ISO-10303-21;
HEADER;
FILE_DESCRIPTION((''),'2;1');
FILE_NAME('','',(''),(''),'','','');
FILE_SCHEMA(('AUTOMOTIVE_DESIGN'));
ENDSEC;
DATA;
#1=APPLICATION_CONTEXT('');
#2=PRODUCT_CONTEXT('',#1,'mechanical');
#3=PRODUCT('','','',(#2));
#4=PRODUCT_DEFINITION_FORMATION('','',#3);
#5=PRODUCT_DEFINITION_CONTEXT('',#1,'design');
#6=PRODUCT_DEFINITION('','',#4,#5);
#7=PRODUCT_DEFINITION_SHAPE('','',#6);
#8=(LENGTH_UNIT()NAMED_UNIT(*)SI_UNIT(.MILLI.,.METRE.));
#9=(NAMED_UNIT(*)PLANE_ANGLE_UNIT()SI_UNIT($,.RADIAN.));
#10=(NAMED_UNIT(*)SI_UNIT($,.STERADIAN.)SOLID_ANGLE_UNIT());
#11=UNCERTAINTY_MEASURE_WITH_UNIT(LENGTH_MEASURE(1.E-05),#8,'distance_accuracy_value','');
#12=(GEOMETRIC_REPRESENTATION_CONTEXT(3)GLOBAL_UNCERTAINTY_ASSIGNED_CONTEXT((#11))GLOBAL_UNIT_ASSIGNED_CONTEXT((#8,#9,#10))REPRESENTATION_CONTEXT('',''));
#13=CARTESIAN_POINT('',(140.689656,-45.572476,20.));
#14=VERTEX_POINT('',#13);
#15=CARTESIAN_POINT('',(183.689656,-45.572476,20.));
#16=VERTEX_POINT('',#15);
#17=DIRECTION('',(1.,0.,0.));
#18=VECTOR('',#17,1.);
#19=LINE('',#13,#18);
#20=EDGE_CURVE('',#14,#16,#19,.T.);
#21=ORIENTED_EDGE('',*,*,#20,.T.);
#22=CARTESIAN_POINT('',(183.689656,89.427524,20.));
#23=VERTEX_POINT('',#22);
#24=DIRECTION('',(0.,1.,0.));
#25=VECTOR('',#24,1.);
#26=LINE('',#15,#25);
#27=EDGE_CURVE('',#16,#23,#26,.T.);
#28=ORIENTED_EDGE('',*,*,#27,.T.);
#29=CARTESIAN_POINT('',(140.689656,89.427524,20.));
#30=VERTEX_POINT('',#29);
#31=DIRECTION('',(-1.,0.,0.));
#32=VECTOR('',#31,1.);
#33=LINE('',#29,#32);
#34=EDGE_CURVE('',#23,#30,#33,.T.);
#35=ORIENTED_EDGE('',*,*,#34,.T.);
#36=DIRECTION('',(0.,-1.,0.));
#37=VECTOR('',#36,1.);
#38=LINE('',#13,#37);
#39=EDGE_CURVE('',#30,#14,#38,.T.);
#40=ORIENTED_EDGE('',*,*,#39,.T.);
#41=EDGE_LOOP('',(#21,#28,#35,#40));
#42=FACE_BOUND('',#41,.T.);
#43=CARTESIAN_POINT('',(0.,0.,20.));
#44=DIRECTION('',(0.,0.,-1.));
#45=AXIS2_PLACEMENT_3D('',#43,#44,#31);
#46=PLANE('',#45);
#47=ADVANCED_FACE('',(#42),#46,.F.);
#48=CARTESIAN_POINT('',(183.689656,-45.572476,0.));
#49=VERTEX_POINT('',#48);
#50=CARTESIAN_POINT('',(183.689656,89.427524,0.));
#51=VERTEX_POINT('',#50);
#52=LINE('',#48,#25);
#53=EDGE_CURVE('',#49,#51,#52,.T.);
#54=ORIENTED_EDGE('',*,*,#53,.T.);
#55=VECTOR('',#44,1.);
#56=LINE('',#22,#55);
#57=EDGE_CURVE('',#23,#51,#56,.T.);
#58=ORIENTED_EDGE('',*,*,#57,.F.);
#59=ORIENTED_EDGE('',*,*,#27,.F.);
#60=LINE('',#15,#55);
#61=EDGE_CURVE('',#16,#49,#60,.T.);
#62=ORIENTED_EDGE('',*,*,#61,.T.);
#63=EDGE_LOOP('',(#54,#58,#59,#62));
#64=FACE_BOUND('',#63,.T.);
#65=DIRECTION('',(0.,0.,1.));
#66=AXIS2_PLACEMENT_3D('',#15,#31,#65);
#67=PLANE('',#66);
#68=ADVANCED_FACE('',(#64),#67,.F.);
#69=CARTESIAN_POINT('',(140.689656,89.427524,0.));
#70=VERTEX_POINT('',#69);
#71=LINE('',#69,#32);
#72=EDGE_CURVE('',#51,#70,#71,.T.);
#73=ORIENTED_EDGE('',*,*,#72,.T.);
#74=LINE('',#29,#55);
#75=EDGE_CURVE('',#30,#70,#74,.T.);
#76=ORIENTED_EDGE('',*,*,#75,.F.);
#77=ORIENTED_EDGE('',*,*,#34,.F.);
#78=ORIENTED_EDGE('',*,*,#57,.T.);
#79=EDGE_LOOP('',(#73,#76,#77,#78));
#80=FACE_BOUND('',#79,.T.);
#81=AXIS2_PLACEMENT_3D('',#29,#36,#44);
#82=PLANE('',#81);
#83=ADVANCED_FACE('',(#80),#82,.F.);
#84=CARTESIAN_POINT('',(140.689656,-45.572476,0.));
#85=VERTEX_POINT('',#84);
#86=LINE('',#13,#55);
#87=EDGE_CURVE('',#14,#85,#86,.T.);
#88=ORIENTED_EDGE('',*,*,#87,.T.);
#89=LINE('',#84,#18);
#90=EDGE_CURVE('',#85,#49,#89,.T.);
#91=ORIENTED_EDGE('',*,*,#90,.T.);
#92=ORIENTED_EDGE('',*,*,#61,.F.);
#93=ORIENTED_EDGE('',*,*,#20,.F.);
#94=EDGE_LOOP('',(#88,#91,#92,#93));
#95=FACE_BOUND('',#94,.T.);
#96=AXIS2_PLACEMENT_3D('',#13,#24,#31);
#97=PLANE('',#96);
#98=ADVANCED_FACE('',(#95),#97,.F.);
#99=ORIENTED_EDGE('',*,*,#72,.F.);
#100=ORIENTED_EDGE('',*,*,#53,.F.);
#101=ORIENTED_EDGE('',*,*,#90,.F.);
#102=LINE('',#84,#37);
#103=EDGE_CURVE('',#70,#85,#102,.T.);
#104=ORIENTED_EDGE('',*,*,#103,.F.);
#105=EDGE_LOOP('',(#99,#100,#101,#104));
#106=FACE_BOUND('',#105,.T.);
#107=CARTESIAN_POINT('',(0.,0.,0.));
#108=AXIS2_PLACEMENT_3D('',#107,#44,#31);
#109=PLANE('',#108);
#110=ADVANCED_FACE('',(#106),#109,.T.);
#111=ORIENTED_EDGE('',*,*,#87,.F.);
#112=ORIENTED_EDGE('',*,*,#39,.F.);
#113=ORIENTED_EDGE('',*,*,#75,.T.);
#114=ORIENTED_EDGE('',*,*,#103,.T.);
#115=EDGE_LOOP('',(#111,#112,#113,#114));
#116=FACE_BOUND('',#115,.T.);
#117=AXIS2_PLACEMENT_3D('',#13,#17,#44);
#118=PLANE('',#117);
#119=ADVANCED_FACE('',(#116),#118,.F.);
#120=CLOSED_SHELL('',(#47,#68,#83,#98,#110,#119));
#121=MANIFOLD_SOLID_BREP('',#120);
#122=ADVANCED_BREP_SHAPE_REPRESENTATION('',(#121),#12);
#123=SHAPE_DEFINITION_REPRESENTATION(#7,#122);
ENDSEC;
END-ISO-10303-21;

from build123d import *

# Parameters (mm, degrees)
SKETCH_1_W      = 43
SKETCH_1_H      = 135
EXTRUDE_1_DEPTH = 20


with BuildPart() as part:
    # 草图1 → 凸台-拉伸1 (new body)
    with BuildSketch(Plane.XY):
        with Locations((162.189656408, 21.927523728)):
            Rectangle(SKETCH_1_W, SKETCH_1_H)
    extrude(amount=EXTRUDE_1_DEPTH)


solid = part.part
